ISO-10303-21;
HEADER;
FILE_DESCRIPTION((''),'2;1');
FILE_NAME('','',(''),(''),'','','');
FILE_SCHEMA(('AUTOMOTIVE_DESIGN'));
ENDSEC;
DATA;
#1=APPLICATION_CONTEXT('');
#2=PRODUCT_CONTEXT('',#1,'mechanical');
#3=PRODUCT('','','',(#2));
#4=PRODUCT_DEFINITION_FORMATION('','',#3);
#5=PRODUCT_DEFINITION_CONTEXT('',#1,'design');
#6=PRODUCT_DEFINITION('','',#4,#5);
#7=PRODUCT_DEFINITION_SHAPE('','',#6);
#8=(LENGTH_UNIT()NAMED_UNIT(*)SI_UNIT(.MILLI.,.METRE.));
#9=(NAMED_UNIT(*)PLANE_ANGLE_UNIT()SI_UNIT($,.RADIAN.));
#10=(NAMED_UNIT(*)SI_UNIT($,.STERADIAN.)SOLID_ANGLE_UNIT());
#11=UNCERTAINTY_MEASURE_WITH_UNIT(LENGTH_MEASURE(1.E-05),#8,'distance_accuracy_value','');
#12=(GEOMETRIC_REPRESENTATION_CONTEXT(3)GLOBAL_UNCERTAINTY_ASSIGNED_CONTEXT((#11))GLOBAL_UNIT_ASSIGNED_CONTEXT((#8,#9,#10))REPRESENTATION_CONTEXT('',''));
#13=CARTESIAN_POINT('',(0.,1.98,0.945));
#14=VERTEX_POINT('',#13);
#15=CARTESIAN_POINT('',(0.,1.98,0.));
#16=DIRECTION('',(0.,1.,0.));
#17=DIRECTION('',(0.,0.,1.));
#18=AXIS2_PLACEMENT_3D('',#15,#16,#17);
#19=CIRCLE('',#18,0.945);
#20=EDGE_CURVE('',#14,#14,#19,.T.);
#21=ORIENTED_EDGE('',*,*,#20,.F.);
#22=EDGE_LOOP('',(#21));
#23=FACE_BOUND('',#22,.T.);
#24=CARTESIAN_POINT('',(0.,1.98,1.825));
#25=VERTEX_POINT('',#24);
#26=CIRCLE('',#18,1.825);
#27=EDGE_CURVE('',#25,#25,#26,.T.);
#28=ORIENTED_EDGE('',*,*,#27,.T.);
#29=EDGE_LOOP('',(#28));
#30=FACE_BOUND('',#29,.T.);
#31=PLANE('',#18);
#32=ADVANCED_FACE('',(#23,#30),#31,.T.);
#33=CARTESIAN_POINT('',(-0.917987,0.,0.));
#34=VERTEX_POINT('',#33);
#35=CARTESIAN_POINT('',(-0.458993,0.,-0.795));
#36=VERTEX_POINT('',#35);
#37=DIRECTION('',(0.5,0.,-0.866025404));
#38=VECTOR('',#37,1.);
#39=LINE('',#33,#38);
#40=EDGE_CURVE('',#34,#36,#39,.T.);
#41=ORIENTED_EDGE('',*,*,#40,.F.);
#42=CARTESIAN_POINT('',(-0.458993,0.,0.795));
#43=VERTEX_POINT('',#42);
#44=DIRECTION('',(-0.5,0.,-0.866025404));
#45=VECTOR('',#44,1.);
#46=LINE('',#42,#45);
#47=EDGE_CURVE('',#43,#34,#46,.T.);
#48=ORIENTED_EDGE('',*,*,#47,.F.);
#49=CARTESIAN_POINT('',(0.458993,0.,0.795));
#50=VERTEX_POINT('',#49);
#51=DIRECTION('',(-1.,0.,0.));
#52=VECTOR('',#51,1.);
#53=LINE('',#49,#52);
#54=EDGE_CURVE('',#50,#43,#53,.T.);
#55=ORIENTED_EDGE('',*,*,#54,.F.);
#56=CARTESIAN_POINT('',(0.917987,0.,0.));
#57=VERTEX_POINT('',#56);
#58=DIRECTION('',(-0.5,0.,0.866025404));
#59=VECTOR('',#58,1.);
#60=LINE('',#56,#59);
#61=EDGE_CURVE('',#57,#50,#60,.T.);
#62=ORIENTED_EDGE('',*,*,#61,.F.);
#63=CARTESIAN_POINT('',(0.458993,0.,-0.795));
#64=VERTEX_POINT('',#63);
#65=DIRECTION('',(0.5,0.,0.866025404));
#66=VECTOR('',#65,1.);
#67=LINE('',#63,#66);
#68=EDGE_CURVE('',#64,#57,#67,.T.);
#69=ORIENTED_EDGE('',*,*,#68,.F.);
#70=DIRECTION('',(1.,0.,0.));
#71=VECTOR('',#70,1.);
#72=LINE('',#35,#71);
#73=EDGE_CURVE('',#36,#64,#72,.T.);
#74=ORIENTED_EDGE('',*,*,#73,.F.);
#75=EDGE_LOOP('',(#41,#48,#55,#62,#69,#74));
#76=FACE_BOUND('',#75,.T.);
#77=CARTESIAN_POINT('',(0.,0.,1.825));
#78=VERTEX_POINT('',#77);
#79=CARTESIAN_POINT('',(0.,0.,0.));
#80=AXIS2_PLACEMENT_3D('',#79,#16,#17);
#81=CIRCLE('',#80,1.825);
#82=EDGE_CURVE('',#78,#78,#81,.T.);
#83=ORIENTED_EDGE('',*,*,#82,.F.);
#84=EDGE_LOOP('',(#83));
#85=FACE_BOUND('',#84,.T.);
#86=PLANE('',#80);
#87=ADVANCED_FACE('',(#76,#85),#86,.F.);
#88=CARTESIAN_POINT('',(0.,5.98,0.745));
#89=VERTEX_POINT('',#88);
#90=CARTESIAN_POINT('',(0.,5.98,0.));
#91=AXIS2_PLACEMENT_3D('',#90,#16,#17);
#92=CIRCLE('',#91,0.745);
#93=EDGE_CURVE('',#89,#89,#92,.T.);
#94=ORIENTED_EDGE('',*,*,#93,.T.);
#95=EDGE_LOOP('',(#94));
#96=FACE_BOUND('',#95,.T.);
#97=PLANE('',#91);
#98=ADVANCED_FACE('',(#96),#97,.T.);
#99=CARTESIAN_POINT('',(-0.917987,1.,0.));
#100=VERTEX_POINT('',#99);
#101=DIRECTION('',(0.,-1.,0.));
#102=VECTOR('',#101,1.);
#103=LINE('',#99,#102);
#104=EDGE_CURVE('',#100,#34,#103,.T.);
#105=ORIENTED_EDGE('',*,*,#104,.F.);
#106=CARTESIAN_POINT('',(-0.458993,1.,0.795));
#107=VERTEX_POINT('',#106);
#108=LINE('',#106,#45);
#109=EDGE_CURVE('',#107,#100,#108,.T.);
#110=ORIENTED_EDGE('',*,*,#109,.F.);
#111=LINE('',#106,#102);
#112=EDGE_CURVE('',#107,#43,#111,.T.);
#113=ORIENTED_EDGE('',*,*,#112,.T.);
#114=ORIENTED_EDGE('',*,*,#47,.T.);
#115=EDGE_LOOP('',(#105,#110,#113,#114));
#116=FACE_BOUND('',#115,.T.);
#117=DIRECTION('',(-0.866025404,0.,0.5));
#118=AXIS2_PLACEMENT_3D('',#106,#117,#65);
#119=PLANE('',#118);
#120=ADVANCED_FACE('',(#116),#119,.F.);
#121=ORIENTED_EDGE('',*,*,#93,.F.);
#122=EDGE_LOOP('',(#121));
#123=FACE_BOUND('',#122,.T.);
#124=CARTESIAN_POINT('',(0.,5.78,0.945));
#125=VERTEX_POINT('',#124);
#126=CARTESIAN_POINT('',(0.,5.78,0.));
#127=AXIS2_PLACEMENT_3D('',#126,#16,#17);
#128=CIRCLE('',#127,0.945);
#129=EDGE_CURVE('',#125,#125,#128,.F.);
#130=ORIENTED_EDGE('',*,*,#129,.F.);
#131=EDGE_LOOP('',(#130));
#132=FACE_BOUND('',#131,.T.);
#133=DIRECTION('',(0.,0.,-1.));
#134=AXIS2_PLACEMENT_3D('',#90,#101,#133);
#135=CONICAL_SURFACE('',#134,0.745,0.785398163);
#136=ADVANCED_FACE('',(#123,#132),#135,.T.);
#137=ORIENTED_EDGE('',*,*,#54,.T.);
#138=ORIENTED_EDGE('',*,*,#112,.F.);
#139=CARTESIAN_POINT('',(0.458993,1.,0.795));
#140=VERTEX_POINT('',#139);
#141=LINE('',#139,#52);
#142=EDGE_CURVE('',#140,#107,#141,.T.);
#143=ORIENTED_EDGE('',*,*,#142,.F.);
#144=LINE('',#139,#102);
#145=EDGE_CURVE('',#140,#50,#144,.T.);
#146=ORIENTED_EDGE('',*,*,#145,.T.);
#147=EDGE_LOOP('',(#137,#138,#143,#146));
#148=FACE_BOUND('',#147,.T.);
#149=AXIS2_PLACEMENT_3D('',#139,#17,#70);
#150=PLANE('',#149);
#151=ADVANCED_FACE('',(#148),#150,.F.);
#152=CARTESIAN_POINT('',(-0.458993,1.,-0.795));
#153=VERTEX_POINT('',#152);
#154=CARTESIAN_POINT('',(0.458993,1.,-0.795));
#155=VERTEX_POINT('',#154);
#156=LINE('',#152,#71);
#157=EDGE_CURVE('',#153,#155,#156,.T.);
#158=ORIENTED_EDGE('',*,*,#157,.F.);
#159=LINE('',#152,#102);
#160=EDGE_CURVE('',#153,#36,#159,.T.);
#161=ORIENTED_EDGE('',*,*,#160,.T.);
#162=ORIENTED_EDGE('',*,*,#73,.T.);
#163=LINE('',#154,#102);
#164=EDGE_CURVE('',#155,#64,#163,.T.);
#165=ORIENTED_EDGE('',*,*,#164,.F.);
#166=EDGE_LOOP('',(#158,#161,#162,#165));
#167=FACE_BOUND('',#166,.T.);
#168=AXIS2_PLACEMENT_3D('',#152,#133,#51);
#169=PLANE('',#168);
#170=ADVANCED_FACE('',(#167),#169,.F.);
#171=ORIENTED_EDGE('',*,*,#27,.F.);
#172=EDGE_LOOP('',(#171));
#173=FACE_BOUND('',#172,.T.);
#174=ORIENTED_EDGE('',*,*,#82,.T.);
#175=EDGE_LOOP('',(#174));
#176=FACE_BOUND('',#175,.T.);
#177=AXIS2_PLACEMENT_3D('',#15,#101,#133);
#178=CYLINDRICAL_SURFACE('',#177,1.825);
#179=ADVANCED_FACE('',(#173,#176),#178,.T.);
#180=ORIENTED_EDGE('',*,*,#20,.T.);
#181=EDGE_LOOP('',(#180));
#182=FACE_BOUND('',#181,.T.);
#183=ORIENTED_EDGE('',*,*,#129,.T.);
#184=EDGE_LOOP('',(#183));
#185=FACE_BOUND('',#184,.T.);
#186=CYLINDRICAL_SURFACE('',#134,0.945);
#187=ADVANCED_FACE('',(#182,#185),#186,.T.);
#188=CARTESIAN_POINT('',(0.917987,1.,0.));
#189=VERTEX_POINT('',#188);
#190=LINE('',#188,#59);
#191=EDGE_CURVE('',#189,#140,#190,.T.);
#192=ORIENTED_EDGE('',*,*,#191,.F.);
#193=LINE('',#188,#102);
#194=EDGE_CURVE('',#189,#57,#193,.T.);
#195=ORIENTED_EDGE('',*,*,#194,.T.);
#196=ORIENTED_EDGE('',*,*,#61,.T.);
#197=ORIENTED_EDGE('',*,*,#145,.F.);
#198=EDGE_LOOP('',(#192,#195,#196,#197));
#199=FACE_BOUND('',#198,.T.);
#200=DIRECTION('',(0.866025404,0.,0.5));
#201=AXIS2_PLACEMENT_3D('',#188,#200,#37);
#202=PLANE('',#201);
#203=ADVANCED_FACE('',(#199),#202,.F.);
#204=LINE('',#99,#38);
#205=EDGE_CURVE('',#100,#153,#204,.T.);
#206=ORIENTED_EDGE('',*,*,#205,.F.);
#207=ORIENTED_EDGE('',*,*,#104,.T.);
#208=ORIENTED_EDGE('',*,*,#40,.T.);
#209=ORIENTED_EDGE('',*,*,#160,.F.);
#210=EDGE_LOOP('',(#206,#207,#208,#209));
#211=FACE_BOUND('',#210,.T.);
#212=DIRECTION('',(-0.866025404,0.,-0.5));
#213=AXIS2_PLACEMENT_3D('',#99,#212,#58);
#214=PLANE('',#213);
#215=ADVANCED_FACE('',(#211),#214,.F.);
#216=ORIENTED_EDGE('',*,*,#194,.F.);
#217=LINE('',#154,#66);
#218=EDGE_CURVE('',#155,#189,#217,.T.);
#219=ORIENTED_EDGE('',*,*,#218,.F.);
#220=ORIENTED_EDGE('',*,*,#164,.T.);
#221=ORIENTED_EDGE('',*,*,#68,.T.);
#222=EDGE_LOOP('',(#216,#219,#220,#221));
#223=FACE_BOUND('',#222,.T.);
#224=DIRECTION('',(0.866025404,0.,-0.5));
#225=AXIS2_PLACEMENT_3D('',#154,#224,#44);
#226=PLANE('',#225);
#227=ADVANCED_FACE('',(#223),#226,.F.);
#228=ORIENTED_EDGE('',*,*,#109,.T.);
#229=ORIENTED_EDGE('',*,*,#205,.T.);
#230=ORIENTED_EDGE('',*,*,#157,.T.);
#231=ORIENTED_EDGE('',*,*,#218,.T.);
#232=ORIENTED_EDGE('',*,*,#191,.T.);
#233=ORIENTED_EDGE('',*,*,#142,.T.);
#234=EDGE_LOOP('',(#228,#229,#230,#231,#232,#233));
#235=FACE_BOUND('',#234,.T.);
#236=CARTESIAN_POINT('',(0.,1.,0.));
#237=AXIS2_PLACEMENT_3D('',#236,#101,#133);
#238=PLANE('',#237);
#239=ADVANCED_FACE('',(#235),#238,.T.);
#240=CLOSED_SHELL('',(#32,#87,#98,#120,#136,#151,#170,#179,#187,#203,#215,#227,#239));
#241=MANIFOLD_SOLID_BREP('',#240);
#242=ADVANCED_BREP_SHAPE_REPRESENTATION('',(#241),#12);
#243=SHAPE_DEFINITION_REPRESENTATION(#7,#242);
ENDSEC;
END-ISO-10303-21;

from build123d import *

# Parameters (mm, degrees)
SKETCH1_R           = 1.825
BOSS_EXTRUDE1_DEPTH = 1.98
SKETCH2_R           = 0.945
BOSS_EXTRUDE2_DEPTH = 4
CUT_EXTRUDE1_DEPTH  = 1
CHAMFER1_SIZE       = 0.2


with BuildPart() as part:
    # Sketch1 → Boss-Extrude1 (new body)
    with BuildSketch(Plane(origin=(0, 0, 0), x_dir=(1, 0, 0), z_dir=(0, 1, 0))):
        Circle(SKETCH1_R)
    extrude(amount=BOSS_EXTRUDE1_DEPTH)

    # Sketch2 → Boss-Extrude2 (add)
    with BuildSketch(Plane(origin=(0, 1.98, 0), x_dir=(1, 0, 0), z_dir=(0, 1, 0))):
        Circle(SKETCH2_R)
    extrude(amount=BOSS_EXTRUDE2_DEPTH)

    # Sketch3 → Cut-Extrude1 (cut)
    with BuildSketch(Plane.XZ):
        Polygon((0.458993464, -0.795), (0.917986928, 0), (0.458993464, 0.795), (-0.458993464, 0.795), (-0.917986928, 0), (-0.458993464, -0.795), align=None)
    extrude(amount=-CUT_EXTRUDE1_DEPTH, mode=Mode.SUBTRACT)

    # Chamfer1
    chamfer1_edges = [part.edges().sort_by_distance(p)[0] for p in [
        (-0.945, 5.98, 0),
    ]]
    chamfer(chamfer1_edges, length=CHAMFER1_SIZE)


solid = part.part
